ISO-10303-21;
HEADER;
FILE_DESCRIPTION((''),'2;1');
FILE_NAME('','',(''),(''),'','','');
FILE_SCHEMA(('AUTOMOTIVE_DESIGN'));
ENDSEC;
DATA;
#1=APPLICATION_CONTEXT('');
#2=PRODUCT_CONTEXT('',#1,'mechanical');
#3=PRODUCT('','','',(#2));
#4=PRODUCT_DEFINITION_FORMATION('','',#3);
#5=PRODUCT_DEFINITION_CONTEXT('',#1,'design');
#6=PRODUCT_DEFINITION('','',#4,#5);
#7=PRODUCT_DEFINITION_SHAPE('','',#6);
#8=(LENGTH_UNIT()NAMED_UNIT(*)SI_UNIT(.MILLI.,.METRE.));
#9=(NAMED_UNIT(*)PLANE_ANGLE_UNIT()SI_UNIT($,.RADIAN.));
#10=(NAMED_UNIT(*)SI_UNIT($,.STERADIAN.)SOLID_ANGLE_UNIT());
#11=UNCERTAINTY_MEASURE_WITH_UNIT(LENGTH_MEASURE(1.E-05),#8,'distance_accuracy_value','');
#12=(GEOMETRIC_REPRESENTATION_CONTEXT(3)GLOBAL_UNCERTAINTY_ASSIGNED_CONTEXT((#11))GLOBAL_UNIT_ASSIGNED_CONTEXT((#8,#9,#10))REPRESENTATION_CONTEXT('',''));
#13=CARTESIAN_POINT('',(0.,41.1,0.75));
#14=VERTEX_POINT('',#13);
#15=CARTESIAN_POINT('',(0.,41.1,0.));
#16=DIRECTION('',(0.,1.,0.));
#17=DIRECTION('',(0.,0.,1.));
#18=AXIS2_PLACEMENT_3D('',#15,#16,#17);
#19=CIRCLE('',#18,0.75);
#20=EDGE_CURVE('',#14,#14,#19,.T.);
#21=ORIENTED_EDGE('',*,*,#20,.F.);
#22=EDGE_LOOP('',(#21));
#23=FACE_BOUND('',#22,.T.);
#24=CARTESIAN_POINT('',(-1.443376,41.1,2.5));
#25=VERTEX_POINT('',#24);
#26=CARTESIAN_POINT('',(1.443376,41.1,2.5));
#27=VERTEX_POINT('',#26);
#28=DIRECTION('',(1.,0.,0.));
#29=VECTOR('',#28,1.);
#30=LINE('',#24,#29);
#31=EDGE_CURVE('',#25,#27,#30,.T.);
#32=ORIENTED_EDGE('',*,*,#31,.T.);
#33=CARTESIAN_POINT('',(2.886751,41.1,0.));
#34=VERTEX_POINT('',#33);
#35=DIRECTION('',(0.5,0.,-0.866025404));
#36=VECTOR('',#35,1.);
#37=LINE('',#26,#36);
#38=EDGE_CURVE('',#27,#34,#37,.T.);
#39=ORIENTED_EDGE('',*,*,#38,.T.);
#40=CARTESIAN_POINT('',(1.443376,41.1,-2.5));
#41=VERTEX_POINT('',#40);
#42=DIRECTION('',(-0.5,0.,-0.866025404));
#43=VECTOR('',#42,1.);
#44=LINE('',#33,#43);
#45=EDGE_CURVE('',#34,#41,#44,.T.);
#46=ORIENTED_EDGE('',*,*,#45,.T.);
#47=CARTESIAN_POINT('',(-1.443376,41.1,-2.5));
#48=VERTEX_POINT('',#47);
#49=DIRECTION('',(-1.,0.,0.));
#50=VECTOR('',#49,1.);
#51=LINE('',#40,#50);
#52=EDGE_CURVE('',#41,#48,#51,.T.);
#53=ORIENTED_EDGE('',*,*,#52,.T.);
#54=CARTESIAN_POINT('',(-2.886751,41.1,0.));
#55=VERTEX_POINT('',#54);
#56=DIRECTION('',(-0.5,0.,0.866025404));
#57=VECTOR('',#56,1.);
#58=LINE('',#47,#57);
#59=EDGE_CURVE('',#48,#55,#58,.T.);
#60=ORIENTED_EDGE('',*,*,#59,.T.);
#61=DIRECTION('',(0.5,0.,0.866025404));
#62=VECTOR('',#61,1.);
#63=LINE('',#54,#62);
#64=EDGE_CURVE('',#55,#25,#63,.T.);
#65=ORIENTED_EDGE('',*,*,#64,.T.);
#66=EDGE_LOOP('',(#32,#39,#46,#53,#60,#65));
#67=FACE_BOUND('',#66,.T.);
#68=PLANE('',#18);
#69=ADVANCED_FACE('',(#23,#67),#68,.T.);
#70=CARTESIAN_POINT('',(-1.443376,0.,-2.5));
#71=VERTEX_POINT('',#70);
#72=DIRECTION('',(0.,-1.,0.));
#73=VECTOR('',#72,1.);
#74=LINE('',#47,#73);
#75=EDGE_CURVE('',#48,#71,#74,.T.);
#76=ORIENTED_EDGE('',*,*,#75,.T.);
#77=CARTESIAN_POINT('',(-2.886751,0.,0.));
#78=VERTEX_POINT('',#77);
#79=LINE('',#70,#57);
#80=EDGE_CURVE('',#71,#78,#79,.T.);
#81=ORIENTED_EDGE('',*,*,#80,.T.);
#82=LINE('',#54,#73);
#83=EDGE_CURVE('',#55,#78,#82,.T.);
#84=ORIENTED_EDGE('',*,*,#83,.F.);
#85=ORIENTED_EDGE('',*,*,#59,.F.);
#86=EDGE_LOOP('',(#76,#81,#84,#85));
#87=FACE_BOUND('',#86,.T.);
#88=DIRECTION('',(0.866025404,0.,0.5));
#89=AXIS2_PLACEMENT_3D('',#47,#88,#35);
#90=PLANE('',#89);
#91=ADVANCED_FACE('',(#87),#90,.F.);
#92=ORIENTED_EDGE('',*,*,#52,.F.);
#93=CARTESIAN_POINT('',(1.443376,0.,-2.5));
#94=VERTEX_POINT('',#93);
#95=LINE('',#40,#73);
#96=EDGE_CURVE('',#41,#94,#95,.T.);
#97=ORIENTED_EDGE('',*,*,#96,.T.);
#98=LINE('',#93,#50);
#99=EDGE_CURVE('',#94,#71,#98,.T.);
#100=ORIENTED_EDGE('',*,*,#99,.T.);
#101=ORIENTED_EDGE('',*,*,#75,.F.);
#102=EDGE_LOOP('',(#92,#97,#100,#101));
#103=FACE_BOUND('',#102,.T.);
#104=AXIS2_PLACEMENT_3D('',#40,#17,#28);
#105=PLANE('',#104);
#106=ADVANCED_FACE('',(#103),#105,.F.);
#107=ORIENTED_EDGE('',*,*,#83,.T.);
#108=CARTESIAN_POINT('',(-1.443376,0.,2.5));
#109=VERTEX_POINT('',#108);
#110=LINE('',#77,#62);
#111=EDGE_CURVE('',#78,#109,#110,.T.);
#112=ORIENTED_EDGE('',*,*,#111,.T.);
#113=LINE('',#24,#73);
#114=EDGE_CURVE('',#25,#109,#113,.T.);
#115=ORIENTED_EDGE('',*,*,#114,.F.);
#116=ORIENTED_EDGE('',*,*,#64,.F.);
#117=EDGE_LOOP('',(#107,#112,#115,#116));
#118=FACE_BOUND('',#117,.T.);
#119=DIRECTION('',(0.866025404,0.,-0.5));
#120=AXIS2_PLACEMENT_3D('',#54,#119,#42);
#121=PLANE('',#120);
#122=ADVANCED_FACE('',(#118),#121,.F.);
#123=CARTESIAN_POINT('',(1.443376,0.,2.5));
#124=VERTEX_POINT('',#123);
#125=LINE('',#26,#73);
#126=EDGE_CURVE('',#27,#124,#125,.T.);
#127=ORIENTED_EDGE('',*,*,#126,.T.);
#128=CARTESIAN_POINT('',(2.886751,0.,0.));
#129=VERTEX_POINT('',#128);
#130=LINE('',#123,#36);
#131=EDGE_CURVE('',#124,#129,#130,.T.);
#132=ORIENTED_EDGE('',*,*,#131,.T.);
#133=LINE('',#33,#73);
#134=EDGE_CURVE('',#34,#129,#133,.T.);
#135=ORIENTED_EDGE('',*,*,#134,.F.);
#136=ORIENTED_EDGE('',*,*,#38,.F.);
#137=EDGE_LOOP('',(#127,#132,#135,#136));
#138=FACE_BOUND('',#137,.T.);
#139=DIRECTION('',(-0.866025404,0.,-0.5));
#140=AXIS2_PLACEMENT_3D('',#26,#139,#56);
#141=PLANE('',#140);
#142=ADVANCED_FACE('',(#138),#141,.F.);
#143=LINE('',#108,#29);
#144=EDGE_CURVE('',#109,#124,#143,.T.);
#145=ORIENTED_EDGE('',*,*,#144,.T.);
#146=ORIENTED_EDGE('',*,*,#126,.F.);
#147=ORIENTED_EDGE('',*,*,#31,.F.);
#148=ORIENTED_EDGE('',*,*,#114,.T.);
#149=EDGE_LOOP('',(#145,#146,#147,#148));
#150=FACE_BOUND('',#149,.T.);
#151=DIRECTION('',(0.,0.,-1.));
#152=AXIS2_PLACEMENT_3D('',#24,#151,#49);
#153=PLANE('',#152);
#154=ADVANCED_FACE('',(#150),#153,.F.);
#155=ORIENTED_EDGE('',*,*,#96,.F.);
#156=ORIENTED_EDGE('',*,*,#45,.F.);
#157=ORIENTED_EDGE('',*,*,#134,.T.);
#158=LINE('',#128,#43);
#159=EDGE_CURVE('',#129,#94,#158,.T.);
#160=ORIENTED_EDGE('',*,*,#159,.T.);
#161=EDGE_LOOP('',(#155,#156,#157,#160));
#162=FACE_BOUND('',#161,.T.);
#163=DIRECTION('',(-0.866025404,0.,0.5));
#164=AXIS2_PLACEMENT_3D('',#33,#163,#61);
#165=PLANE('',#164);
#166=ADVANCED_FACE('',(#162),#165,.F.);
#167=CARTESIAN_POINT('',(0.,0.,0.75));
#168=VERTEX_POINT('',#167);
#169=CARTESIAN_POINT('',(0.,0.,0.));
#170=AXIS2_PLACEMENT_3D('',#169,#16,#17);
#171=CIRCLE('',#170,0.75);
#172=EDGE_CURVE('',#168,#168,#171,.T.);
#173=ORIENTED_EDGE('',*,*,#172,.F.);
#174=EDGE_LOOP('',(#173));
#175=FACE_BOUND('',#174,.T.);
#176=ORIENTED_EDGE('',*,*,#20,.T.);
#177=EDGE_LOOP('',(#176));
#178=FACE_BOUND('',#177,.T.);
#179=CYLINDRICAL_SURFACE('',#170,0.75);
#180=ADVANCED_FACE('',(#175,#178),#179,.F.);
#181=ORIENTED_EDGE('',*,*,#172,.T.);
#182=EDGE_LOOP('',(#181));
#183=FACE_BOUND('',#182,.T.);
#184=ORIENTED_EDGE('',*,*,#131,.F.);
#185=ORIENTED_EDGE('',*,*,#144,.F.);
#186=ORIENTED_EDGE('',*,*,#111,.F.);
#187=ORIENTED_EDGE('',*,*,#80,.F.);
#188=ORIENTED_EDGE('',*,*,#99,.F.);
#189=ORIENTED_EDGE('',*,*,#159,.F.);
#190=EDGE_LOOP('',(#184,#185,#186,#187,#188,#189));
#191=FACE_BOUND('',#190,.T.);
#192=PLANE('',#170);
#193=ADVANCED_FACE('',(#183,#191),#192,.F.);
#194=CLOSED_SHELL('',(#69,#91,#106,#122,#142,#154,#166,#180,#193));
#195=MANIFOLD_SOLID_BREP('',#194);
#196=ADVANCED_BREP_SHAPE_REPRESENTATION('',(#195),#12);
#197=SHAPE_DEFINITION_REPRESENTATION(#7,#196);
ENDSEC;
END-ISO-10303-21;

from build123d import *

# Parameters (mm, degrees)
EXTRUDE_1_DEPTH     = 41.1
SKETCH_2_R          = 0.75
CUT_EXTRUDE_1_DEPTH = 42.277031547


with BuildPart() as part:
    # Эскиз1 → Бобышка-Вытянуть1 (new body)
    with BuildSketch(Plane(origin=(0, 0, 0), x_dir=(1, 0, 0), z_dir=(0, 1, 0))):
        Polygon((2.886751346, 0), (1.443375673, 2.5), (-1.443375673, 2.5), (-2.886751346, 0), (-1.443375673, -2.5), (1.443375673, -2.5), align=None)
    extrude(amount=EXTRUDE_1_DEPTH)

    # Эскиз2 → Вырез-Вытянуть1 (cut, through all)
    with BuildSketch(Plane(origin=(0, 41.1, 0), x_dir=(1, 0, 0), z_dir=(0, 1, 0))):
        with Locations(Location((0, 0, 0), (0, 0, 270))):
            Circle(SKETCH_2_R)
    extrude(amount=-CUT_EXTRUDE_1_DEPTH, mode=Mode.SUBTRACT)


solid = part.part
